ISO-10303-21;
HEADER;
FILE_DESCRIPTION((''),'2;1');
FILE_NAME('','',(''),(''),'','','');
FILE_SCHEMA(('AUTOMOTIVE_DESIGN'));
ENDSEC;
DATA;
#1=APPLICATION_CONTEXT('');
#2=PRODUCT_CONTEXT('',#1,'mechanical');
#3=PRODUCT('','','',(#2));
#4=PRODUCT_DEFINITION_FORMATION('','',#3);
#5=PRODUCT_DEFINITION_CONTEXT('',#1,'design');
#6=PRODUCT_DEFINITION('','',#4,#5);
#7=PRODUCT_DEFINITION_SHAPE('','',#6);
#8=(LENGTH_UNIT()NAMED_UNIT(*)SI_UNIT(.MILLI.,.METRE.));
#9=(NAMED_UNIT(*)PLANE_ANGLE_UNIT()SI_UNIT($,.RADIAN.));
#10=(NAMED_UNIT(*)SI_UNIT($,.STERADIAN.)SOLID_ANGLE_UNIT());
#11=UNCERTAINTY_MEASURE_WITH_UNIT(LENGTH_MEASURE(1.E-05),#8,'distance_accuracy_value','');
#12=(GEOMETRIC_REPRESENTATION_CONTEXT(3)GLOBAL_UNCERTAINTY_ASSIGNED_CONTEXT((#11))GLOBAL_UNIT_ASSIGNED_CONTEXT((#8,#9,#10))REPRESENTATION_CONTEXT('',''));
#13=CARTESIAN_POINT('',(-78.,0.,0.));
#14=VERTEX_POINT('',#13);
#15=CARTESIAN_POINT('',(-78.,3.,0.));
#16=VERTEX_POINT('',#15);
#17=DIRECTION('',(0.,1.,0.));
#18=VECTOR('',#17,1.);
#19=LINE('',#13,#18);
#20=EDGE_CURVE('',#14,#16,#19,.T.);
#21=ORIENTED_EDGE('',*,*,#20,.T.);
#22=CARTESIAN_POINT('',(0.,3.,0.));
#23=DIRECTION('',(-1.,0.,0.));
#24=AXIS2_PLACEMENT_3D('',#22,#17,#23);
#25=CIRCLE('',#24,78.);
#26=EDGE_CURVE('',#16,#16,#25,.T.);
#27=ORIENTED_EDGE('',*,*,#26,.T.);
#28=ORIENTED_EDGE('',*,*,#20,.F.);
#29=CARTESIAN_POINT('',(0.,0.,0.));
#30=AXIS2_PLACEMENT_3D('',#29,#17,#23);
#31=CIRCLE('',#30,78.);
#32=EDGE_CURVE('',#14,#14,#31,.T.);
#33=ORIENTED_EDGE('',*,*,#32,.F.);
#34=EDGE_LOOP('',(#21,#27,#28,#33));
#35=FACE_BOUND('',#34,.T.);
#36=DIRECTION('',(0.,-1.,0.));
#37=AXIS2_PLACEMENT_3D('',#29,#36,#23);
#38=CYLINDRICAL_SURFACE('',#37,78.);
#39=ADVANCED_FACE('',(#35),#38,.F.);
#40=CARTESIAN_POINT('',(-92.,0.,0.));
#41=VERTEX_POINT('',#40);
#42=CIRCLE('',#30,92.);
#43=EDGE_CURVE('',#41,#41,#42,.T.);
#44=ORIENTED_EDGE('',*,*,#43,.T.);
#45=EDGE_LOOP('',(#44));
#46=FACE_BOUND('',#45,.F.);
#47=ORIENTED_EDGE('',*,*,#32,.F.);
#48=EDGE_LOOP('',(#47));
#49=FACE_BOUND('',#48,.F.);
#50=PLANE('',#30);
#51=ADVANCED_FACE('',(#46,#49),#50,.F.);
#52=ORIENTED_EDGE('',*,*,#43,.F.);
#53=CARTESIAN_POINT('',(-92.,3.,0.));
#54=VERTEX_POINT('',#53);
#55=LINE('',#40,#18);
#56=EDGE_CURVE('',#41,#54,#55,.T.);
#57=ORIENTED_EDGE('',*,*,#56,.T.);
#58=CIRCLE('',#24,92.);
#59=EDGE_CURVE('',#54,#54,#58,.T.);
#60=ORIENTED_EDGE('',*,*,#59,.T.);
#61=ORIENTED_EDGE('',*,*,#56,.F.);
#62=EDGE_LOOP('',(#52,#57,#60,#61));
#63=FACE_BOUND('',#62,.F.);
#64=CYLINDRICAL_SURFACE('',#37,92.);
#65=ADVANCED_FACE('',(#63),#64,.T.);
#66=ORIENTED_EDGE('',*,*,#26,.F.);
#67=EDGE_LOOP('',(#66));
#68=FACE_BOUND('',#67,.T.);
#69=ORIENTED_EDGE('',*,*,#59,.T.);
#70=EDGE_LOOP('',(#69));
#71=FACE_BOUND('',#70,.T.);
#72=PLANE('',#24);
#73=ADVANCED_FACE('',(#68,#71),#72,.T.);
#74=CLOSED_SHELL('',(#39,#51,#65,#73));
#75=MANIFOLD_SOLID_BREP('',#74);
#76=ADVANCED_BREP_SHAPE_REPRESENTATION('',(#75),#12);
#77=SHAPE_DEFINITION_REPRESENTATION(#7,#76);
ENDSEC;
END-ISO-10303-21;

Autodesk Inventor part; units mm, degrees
ref_plane "YZ Plane" through (0, 0, 0) normal (1, 0, 0) x (0, 1, 0)
ref_plane "XZ Plane" through (0, 0, 0) normal (0, 1, 0) x (-1, 0, 0)
ref_plane "XY Plane" through (0, 0, 0) normal (0, 0, 1) x (1, 0, 0)
sketch "Sketch1" plane through (0, 0, 0) normal (0, 1, 0) x (-1, 0, 0)
  circle A0 centre (0, 0) radius 92
  circle A1 centre (0, 0) radius 78
  dimension "d0" = 184
  dimension "d1" = 156
extrude "Extrusion1" add sketch "Sketch1" along normal blind 3
properties part number "frosted_ring" material "PET Plastic"
